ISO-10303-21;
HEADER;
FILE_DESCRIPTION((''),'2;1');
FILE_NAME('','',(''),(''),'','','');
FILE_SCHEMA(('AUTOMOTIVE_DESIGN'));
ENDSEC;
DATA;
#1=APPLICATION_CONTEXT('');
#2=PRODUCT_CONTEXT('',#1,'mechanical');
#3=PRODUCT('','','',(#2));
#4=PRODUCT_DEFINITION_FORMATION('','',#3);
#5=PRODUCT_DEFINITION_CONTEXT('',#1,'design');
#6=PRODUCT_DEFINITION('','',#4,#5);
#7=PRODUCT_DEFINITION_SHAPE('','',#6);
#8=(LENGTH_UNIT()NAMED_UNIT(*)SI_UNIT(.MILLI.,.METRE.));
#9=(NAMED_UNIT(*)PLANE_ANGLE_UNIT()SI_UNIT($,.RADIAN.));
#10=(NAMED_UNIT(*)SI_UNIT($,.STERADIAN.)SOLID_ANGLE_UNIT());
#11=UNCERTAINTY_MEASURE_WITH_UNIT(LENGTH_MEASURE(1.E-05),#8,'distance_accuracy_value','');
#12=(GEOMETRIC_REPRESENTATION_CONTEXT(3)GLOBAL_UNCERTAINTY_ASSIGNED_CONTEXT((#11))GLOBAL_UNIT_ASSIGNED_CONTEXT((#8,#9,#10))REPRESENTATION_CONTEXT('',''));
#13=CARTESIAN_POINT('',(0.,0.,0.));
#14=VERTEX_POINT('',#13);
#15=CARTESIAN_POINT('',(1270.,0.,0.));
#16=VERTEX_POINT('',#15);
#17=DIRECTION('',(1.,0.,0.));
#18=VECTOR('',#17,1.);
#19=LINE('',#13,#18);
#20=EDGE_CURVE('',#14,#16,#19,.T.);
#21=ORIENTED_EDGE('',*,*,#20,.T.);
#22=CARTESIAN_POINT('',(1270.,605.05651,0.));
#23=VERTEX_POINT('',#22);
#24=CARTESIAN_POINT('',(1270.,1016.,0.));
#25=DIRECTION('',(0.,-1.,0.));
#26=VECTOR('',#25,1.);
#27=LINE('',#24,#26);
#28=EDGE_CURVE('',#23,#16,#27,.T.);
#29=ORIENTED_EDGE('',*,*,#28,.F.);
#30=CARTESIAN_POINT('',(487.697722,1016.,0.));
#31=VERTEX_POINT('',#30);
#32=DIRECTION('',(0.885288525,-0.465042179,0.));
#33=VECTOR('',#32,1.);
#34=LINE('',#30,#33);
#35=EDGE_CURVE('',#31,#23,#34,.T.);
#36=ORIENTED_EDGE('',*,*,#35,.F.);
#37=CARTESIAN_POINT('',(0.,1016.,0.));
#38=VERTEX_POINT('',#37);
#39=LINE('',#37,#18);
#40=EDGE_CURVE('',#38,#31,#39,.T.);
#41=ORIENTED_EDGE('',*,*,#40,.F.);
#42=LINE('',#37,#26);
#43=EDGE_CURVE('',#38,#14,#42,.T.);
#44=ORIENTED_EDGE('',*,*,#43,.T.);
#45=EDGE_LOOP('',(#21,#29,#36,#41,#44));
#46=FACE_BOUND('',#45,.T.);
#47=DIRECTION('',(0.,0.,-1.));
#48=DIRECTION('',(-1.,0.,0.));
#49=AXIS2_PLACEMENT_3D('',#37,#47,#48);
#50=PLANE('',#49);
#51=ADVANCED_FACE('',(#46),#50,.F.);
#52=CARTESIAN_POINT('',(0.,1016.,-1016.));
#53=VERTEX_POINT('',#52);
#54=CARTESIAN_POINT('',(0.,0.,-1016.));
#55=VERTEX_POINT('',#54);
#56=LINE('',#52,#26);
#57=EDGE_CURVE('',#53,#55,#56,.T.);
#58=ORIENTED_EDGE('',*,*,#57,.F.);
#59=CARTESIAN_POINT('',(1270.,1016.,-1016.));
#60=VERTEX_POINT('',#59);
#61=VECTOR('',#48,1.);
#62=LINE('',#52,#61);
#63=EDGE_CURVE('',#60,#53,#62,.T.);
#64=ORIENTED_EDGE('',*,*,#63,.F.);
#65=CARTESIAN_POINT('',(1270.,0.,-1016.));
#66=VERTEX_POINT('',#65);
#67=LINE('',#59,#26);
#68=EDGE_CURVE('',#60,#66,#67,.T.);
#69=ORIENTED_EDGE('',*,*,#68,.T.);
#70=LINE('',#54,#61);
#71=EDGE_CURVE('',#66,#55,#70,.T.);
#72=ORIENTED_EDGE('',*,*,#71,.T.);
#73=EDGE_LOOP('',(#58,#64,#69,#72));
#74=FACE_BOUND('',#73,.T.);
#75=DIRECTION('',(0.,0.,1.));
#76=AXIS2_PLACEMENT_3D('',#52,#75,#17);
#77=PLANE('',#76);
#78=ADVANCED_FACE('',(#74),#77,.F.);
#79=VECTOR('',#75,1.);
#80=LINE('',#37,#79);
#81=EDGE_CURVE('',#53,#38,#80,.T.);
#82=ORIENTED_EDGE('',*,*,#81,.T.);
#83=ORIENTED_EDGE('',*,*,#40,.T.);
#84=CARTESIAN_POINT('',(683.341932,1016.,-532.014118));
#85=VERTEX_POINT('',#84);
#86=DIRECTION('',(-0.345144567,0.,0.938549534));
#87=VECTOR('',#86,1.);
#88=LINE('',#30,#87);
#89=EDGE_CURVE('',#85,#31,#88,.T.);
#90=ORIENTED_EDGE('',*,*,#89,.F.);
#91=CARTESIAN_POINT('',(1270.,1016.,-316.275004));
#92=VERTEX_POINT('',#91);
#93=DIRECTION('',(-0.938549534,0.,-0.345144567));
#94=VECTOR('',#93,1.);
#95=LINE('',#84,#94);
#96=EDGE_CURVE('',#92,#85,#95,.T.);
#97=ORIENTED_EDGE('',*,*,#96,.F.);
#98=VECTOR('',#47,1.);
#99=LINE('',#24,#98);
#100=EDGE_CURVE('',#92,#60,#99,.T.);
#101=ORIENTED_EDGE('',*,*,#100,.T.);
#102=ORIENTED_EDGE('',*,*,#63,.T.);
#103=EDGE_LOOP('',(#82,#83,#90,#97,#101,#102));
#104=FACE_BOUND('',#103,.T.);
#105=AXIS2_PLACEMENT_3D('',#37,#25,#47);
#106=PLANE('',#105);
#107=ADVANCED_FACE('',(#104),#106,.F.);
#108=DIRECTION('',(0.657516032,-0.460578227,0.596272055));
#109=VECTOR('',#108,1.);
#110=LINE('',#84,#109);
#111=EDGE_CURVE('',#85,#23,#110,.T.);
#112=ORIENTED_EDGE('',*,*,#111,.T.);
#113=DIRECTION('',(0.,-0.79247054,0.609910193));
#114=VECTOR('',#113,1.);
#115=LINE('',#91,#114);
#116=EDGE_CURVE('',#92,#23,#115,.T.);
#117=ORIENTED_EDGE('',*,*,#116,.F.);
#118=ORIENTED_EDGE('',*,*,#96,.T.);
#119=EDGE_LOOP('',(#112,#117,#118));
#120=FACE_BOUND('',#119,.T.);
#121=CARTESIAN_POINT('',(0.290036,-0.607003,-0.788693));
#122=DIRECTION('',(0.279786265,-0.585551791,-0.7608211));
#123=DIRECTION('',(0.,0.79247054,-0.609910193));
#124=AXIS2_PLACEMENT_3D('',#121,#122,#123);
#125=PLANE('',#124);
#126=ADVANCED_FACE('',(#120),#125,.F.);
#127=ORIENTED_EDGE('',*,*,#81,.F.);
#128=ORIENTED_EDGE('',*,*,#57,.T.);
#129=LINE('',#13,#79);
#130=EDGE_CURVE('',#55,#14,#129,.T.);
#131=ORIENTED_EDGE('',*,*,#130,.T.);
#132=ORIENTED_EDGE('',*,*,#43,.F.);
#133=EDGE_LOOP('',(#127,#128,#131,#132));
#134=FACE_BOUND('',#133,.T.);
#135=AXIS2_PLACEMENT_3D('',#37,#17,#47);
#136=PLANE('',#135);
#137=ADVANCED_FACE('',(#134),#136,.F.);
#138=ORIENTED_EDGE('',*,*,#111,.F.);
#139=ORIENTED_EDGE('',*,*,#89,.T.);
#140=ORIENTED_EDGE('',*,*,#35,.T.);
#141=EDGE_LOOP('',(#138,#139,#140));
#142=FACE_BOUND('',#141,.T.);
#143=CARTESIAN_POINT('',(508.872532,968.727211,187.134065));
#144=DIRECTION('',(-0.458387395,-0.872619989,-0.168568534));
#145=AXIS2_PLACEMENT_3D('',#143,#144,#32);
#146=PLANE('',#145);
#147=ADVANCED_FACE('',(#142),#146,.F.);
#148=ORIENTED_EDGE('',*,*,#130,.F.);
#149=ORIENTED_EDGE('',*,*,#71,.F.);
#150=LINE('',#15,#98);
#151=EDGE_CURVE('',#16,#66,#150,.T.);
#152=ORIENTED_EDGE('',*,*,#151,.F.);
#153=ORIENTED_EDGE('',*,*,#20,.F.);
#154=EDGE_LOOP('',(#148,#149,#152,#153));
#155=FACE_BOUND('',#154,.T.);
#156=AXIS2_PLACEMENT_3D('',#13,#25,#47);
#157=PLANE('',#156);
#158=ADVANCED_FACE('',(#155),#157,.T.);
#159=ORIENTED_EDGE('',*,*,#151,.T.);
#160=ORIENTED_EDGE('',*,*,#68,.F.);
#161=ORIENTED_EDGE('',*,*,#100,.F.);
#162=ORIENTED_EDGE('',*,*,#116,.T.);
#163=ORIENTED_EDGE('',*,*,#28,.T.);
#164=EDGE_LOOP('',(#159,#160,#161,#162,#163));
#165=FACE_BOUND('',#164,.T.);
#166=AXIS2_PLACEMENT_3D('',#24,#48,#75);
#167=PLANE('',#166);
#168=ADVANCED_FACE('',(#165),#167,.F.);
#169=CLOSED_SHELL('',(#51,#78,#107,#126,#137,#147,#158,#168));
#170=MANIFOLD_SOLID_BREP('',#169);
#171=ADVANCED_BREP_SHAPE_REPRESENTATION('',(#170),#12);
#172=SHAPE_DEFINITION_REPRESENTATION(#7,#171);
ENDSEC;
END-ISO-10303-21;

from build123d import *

# Parameters (mm, degrees)
SKETCH1_W           = 1270
SKETCH1_H           = 1016
BOSS_EXTRUDE1_DEPTH = 1016


with BuildPart() as part:
    # Sketch1 → Boss-Extrude1 (new body)
    with BuildSketch(Plane(origin=(0, 0, 0), x_dir=(1, 0, 0), z_dir=(0, 1, 0))):
        with Locations((635, 508)):
            Rectangle(SKETCH1_W, SKETCH1_H)
    extrude(amount=BOSS_EXTRUDE1_DEPTH)

    # Sketch2 → Cut-Loft3 section 0
    with BuildSketch(Plane(origin=(0, 1016, 0), x_dir=(1, 0, 0), z_dir=(0, 1, 0)), mode=Mode.PRIVATE) as cut_loft3_s0:
        with BuildLine():
            Line((487.697722316, 0), (683.341932375, 532.014117673))
            Line((683.341932375, 532.014117673), (1270, 316.275003987))
            Line((1270, 316.275003987), (1270, 0))
            Line((1270, 0), (487.697722316, 0))
        make_face()
    loft([cut_loft3_s0.sketch, Vertex(1270, 605.056510384, 0)], mode=Mode.SUBTRACT)


solid = part.part
